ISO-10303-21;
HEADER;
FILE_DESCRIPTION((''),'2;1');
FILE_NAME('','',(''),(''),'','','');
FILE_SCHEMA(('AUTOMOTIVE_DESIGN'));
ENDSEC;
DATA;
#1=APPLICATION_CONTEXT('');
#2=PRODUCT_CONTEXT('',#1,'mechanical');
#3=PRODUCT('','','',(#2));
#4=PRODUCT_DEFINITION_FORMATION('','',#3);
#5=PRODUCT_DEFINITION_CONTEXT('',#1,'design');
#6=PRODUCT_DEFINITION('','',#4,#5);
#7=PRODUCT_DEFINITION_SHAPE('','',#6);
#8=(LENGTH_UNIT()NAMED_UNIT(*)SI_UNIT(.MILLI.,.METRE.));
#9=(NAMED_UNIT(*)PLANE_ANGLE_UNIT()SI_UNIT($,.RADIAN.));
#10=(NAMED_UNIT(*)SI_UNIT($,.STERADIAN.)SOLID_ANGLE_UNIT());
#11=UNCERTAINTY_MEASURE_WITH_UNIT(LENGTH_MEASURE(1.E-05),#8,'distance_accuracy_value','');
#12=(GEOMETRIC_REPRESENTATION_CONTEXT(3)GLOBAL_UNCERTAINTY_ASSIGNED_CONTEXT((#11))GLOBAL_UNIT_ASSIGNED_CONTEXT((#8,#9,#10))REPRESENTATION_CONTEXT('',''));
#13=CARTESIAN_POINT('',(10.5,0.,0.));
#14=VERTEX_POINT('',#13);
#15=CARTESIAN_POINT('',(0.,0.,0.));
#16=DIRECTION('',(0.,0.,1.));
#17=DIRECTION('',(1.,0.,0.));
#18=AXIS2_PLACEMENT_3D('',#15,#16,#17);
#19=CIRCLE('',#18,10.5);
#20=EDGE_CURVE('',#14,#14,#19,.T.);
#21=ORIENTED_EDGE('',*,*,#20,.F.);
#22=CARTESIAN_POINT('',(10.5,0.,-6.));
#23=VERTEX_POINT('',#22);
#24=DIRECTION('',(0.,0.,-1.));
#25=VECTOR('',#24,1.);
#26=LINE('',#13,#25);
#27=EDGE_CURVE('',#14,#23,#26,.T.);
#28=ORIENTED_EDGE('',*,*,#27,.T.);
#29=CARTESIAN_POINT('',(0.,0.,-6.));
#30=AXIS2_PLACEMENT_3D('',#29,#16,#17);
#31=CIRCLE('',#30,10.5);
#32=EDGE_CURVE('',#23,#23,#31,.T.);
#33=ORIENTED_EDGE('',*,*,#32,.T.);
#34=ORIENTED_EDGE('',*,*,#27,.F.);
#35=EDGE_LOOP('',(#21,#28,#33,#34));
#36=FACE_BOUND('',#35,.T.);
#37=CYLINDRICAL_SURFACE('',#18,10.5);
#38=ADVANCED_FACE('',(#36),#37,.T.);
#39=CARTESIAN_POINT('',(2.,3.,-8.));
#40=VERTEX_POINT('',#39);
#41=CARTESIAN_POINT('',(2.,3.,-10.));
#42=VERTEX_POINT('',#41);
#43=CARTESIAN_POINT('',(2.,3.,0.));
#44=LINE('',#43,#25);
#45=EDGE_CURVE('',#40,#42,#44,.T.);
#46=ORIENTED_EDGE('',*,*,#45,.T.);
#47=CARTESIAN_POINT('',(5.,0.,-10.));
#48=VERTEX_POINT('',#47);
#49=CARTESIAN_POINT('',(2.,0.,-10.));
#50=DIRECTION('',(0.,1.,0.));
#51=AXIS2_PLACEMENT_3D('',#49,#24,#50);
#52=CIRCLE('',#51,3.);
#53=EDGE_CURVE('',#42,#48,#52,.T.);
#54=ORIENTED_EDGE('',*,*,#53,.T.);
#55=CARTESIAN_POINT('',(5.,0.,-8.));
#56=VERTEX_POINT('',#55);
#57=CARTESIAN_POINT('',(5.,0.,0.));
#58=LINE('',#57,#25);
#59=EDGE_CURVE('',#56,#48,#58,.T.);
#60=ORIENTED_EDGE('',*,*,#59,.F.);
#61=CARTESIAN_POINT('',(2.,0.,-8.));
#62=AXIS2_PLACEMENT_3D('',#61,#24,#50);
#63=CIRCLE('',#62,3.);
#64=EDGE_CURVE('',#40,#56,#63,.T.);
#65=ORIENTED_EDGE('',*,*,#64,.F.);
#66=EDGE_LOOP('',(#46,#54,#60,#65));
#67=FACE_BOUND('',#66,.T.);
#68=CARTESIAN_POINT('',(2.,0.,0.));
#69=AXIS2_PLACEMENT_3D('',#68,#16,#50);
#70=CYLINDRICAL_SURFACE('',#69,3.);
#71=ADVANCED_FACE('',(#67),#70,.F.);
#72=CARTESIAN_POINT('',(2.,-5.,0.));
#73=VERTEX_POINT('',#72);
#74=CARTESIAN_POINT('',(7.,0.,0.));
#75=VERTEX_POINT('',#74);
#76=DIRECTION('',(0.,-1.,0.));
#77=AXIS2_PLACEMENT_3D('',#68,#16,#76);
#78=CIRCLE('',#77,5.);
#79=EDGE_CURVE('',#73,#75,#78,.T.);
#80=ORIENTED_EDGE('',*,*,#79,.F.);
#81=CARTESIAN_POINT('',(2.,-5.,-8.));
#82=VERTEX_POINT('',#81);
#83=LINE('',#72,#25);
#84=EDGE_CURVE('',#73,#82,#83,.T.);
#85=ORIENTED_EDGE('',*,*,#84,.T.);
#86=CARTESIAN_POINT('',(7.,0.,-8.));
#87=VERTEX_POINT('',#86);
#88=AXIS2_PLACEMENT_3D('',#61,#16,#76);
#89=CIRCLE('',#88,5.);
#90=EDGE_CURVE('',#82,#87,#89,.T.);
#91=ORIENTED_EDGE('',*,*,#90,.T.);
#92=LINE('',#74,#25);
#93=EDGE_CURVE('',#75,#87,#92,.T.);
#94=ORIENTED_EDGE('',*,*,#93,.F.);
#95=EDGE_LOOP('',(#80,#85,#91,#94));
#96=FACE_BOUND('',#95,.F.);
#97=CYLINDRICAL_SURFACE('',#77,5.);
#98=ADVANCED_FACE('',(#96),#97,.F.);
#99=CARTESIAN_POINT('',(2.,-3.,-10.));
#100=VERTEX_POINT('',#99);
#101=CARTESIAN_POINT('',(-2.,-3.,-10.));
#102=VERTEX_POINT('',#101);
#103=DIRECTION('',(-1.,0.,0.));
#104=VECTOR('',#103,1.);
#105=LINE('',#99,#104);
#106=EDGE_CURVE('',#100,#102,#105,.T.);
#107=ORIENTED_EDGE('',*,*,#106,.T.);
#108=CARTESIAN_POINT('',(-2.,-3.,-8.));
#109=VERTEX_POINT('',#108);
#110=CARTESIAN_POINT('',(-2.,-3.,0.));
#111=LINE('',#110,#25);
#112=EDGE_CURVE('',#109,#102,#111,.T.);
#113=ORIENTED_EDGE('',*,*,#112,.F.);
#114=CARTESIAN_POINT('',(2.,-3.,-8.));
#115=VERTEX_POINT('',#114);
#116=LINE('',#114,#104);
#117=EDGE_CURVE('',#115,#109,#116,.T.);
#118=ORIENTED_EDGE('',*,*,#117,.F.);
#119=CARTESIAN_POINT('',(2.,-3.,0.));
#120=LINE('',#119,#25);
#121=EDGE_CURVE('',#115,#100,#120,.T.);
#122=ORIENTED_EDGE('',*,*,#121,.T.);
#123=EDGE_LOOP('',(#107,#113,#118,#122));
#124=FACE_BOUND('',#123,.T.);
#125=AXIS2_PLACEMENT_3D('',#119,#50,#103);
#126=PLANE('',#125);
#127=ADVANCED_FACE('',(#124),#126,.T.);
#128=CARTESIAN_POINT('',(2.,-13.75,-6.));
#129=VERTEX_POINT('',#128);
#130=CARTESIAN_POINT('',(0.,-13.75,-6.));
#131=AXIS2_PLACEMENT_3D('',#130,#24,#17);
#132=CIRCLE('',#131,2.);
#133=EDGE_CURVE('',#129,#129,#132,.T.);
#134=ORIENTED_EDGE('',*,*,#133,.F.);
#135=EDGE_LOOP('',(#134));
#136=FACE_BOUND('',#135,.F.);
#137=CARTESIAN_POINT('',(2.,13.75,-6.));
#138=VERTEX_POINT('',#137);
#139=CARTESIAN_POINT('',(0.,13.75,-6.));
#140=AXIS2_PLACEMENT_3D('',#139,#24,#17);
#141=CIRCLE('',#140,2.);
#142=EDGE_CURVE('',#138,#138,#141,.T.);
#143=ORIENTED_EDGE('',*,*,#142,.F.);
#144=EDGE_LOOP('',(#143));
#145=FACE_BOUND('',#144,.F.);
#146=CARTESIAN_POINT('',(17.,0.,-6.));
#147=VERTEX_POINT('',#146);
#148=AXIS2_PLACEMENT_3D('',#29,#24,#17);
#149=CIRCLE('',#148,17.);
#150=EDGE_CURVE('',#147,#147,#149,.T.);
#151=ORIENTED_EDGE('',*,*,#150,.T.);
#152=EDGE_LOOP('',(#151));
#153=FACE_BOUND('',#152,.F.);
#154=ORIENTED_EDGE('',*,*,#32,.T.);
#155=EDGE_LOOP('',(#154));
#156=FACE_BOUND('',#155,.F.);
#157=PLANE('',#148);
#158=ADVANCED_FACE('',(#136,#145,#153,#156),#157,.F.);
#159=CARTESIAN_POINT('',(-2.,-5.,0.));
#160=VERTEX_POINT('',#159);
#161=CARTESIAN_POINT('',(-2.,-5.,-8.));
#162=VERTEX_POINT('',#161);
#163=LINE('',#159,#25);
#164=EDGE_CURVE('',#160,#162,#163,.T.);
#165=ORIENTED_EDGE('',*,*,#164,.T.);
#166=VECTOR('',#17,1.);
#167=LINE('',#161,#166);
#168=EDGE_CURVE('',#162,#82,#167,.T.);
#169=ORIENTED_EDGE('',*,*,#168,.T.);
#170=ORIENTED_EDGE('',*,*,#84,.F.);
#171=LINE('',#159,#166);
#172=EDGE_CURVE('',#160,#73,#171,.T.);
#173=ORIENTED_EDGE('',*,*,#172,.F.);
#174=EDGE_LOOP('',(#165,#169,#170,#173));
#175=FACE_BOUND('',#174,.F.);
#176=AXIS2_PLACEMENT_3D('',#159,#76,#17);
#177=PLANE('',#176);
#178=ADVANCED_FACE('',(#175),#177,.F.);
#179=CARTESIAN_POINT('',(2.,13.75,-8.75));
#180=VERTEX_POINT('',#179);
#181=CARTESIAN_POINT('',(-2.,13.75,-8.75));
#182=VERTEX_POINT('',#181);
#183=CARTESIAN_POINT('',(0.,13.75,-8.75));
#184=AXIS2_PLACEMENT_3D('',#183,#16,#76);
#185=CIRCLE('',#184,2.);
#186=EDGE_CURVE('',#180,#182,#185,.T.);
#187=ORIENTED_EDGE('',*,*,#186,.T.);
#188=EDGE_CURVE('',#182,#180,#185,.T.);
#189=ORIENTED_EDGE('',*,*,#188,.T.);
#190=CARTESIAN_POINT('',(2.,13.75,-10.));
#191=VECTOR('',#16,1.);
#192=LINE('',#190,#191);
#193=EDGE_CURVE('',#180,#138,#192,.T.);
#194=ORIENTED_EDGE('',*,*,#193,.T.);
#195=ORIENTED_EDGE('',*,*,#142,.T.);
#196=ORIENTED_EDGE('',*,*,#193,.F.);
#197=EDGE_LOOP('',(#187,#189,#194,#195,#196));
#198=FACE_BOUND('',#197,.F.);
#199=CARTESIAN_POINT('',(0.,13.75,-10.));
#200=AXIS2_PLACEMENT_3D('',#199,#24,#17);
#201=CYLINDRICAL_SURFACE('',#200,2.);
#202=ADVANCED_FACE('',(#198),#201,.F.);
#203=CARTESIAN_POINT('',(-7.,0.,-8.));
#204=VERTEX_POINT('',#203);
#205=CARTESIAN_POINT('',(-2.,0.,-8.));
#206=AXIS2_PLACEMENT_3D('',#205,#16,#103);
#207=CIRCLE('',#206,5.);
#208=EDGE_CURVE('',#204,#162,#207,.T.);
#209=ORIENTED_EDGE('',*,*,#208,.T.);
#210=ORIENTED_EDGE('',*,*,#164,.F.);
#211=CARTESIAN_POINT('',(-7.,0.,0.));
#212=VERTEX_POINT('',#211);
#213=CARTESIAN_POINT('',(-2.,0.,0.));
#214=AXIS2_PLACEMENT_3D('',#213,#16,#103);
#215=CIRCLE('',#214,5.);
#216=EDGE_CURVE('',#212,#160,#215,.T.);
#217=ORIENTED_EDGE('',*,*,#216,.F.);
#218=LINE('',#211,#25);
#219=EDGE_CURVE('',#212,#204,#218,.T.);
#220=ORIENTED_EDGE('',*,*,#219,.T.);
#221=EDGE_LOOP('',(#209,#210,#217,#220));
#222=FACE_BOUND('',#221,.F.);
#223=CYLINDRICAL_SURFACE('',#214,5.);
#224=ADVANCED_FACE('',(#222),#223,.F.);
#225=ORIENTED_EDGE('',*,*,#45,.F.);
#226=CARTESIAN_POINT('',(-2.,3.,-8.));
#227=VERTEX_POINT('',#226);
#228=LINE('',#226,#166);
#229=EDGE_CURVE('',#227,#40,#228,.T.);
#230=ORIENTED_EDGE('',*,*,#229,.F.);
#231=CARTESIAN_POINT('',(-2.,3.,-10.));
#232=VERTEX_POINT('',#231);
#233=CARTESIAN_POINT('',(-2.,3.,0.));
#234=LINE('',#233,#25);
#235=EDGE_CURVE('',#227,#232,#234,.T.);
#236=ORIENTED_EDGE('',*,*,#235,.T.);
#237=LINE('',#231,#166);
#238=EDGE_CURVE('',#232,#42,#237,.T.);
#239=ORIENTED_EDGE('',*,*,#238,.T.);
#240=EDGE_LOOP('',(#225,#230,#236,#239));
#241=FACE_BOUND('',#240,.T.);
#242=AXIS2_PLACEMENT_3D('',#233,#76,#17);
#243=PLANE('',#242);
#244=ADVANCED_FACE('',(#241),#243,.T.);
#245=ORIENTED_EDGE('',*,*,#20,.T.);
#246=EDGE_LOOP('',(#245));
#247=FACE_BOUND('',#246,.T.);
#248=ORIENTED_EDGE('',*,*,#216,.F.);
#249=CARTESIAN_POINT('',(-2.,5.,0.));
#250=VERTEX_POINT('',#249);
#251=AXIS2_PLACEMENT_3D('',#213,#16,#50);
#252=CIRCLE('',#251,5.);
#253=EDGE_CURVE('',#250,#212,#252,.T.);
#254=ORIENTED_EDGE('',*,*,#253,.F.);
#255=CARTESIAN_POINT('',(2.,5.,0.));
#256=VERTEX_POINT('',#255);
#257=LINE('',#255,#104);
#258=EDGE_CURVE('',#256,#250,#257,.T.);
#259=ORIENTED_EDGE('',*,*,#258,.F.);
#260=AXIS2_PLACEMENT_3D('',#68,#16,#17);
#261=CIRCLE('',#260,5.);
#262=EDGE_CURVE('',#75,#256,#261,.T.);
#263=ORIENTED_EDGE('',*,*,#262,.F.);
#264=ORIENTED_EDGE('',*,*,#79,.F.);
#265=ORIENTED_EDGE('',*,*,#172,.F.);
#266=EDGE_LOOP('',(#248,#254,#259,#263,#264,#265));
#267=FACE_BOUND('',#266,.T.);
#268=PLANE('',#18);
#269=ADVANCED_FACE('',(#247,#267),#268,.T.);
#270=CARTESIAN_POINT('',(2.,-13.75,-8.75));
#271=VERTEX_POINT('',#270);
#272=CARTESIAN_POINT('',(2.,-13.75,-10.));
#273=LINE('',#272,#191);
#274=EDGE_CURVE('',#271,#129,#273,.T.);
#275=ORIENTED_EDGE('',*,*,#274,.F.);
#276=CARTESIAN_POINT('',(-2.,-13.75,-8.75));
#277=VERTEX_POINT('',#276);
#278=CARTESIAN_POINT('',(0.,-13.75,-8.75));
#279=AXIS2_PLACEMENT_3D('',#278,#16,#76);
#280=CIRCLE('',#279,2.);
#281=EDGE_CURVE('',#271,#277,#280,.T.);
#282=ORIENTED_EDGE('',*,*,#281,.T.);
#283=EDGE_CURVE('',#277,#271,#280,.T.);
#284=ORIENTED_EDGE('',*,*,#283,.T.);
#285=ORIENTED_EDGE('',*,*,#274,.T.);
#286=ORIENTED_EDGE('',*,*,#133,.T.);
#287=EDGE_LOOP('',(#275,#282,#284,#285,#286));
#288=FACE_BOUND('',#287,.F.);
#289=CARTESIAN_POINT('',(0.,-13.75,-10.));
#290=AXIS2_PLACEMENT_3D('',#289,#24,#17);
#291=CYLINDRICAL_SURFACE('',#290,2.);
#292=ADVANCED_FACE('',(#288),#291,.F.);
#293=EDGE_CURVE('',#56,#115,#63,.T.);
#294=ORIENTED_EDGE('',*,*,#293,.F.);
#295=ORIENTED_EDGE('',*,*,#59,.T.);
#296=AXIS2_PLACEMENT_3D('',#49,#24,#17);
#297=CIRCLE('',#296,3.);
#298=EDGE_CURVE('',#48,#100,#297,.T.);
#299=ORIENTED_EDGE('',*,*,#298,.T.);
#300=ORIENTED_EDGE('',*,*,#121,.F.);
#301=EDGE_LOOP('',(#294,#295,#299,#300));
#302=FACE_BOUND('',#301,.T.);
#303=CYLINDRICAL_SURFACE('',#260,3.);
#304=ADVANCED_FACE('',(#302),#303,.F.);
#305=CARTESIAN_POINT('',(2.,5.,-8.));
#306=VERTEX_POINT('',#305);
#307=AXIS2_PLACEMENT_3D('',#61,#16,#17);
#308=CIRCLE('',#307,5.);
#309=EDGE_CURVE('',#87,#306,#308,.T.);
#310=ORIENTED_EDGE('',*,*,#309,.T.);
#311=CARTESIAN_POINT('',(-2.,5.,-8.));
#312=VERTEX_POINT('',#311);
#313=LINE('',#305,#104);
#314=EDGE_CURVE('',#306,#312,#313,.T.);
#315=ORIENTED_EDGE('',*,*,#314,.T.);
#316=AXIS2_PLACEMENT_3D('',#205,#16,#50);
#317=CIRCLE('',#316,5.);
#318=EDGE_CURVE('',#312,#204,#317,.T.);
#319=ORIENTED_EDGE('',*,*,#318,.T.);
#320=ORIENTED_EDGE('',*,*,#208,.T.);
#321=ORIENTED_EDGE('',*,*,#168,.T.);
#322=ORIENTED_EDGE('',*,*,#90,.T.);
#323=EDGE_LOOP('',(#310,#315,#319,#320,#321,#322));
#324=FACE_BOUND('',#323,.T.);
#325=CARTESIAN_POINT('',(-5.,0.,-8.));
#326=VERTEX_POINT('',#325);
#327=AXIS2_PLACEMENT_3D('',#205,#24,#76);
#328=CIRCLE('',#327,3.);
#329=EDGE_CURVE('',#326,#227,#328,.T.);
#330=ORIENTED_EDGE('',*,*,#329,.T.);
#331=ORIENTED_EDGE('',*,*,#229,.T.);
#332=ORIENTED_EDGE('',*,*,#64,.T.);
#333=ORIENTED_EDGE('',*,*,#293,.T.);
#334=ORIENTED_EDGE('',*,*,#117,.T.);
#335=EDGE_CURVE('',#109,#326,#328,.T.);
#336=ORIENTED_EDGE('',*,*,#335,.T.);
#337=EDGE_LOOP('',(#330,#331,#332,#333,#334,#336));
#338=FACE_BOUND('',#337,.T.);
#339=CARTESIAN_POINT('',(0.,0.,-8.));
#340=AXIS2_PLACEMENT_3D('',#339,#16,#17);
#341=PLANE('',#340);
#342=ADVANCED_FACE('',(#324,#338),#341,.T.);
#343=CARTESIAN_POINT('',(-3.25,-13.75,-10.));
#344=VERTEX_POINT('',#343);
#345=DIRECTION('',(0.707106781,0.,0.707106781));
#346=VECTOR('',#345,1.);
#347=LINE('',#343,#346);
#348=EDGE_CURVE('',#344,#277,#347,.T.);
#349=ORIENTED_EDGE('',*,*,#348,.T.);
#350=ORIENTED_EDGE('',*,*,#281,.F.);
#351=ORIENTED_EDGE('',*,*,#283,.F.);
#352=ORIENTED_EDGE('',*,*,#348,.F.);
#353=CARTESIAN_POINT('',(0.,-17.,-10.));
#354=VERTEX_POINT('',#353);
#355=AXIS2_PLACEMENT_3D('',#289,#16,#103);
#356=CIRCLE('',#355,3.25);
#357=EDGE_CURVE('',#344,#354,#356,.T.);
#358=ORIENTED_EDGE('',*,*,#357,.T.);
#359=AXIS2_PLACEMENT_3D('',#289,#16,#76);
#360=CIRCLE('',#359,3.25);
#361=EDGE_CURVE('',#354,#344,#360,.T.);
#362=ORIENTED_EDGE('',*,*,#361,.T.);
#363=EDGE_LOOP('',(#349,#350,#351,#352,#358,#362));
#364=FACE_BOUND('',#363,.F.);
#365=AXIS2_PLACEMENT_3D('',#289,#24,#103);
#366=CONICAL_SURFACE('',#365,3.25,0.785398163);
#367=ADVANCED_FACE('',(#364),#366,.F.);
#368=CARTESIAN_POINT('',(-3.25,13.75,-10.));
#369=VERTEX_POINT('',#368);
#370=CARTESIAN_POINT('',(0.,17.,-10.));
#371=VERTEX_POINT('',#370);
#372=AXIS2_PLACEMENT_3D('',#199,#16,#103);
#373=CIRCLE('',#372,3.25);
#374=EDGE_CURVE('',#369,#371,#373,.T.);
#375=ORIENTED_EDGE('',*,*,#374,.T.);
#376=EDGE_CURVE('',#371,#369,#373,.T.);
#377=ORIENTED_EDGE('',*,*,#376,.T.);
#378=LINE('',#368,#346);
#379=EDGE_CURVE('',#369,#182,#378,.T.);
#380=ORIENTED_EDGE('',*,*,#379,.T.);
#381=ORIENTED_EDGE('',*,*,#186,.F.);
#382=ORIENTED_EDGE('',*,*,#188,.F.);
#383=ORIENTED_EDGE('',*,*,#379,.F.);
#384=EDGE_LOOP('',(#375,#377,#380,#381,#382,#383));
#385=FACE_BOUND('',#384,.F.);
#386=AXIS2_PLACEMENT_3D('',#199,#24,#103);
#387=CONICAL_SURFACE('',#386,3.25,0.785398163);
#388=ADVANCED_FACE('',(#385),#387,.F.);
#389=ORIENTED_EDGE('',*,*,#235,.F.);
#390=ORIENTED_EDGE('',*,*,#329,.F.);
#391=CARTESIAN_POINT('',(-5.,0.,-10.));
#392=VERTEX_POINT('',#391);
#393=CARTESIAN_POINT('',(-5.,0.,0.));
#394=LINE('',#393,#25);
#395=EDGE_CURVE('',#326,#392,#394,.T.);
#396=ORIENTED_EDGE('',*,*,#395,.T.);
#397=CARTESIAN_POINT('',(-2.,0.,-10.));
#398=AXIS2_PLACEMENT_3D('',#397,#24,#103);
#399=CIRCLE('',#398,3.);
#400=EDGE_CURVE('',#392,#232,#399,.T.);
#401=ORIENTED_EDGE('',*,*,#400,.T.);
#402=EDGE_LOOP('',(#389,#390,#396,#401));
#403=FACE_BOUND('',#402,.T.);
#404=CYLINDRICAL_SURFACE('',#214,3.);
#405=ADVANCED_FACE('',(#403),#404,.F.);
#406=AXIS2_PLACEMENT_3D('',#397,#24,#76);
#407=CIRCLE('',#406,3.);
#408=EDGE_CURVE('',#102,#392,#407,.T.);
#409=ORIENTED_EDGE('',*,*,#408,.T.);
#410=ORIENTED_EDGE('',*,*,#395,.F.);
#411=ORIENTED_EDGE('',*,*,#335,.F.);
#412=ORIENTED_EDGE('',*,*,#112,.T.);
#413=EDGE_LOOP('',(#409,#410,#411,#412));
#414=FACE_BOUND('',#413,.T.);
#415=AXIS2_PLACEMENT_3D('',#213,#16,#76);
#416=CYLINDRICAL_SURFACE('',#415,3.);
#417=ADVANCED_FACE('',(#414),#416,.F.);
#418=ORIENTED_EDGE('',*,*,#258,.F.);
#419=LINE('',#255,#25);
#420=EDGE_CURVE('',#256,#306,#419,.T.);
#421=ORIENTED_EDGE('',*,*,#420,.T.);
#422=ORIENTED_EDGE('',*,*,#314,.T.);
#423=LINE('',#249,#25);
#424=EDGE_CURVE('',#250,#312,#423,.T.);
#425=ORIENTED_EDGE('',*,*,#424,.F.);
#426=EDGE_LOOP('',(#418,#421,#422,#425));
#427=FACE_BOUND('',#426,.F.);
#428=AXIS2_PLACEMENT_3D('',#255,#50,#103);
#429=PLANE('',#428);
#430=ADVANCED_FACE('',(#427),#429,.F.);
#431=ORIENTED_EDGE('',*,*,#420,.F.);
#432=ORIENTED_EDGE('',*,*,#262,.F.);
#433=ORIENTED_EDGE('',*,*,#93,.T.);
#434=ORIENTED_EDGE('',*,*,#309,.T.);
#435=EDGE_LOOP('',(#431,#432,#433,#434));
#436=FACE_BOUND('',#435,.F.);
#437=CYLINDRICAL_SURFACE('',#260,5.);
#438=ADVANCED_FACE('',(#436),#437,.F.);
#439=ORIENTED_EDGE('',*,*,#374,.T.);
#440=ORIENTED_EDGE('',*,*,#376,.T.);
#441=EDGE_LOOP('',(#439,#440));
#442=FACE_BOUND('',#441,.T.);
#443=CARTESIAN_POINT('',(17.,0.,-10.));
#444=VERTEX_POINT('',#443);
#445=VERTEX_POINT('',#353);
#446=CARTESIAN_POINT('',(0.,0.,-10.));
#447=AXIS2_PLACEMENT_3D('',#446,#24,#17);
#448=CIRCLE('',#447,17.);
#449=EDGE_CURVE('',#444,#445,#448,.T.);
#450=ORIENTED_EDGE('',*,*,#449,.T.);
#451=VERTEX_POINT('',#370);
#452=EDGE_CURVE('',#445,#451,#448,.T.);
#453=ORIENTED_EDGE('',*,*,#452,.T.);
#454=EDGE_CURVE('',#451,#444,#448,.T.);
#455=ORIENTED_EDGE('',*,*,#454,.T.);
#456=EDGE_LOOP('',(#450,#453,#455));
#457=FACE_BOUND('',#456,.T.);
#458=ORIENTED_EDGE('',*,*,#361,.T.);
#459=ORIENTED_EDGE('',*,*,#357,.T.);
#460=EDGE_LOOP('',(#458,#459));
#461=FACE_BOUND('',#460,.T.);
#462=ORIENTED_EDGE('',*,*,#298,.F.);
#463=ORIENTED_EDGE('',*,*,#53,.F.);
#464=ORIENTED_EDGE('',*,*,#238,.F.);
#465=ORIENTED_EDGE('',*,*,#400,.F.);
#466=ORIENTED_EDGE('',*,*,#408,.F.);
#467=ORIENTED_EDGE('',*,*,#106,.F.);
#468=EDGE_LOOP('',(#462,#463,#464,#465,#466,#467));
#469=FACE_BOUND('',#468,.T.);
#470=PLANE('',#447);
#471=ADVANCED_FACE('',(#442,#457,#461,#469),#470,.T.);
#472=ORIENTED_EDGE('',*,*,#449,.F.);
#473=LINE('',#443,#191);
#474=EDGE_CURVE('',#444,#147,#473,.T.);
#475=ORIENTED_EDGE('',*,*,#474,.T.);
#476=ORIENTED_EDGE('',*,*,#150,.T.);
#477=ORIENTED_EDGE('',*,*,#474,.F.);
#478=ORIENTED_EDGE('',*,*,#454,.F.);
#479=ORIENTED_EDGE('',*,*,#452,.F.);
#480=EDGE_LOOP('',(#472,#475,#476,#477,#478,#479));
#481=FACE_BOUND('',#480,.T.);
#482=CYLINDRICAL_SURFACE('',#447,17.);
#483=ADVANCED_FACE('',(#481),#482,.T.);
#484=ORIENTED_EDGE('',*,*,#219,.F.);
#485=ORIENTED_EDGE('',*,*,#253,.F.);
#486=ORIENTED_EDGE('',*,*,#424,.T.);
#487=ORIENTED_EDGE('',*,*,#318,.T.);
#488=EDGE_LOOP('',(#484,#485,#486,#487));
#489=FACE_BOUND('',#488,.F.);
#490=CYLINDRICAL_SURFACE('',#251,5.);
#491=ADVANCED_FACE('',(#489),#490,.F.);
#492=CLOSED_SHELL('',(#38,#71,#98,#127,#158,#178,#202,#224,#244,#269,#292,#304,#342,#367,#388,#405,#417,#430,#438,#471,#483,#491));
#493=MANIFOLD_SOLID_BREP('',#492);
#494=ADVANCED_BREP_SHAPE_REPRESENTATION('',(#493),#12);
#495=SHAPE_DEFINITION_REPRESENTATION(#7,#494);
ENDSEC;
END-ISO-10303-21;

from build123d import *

# Parameters (mm, degrees)
F0_R           = 10.5
F1_DEPTH       = 10
F3_R           = 17
F3_R_2         = 2
F3_R_3         = 9.1303140993
F4_DEPTH       = 4
F5_D           = 4
F5_DEPTH       = 10
F5_CSINK_D     = 6.5
F5_CSINK_ANGLE = 90
F5_TIP         = 1.2017212381
F7_DEPTH       = 8


with BuildPart() as f1:
    # F0 (on Top) → F1 (new body)
    with BuildSketch(Plane.XY):
        Circle(F0_R)
        with BuildLine():
            ThreePointArc((-5, 0), (-4.1213203436, 2.1213203436), (-2, 3))
            Line((-2, 3), (2, 3))
            ThreePointArc((2, 3), (4.1213203436, 2.1213203436), (5, 0))
            ThreePointArc((5, 0), (4.1213203436, -2.1213203436), (2, -3))
            Line((2, -3), (-2, -3))
            ThreePointArc((-2, -3), (-4.1213203436, -2.1213203436), (-5, 0))
        make_face(mode=Mode.SUBTRACT)
    extrude(amount=-F1_DEPTH)

    # F3 (on offset) → F4 (join)
    with BuildSketch(Plane(origin=(0, 0, -10), x_dir=(1, 0, 0), z_dir=(0, 0, -1))):
        Circle(F3_R)
        with Locations((0, -13.75)):
            Circle(F3_R_2, mode=Mode.SUBTRACT)
        Circle(F3_R_3, mode=Mode.SUBTRACT)
        with Locations((0, 13.75)):
            Circle(F3_R_2, mode=Mode.SUBTRACT)
    extrude(amount=-F4_DEPTH)

    # F5
    with Locations(Plane(origin=(0, 0, -10), x_dir=(1, 0, 0), z_dir=(0, 0, -1))):
        with Locations((0, 13.75), (0, -13.75)):
            CounterSinkHole(F5_D / 2, F5_CSINK_D / 2, depth=F5_DEPTH, counter_sink_angle=F5_CSINK_ANGLE)
            with Locations((0, 0, -(F5_DEPTH + F5_TIP / 2))):  # 118° drill point
                Cone(0, F5_D / 2, F5_TIP, mode=Mode.SUBTRACT)

    # F6 (on face) → F7 (cut)
    with BuildSketch(Plane.XY):
        with BuildLine():
            Line((2, 5), (-2, 5))
            ThreePointArc((-2, 5), (-5.5355339059, 3.5355339059), (-7, 0))
            ThreePointArc((-7, 0), (-5.5355339059, -3.5355339059), (-2, -5))
            Line((-2, -5), (2, -5))
            ThreePointArc((2, -5), (5.5355339059, -3.5355339059), (7, 0))
            ThreePointArc((7, 0), (5.5355339059, 3.5355339059), (2, 5))
        make_face()
        with BuildLine():
            Line((2, -3), (-2, -3))
            ThreePointArc((-2, -3), (-5, 0), (-2, 3))
            Line((-2, 3), (2, 3))
            ThreePointArc((2, 3), (5, 0), (2, -3))
        make_face(mode=Mode.SUBTRACT)
    extrude(amount=-F7_DEPTH, mode=Mode.SUBTRACT)


solid = f1.part
